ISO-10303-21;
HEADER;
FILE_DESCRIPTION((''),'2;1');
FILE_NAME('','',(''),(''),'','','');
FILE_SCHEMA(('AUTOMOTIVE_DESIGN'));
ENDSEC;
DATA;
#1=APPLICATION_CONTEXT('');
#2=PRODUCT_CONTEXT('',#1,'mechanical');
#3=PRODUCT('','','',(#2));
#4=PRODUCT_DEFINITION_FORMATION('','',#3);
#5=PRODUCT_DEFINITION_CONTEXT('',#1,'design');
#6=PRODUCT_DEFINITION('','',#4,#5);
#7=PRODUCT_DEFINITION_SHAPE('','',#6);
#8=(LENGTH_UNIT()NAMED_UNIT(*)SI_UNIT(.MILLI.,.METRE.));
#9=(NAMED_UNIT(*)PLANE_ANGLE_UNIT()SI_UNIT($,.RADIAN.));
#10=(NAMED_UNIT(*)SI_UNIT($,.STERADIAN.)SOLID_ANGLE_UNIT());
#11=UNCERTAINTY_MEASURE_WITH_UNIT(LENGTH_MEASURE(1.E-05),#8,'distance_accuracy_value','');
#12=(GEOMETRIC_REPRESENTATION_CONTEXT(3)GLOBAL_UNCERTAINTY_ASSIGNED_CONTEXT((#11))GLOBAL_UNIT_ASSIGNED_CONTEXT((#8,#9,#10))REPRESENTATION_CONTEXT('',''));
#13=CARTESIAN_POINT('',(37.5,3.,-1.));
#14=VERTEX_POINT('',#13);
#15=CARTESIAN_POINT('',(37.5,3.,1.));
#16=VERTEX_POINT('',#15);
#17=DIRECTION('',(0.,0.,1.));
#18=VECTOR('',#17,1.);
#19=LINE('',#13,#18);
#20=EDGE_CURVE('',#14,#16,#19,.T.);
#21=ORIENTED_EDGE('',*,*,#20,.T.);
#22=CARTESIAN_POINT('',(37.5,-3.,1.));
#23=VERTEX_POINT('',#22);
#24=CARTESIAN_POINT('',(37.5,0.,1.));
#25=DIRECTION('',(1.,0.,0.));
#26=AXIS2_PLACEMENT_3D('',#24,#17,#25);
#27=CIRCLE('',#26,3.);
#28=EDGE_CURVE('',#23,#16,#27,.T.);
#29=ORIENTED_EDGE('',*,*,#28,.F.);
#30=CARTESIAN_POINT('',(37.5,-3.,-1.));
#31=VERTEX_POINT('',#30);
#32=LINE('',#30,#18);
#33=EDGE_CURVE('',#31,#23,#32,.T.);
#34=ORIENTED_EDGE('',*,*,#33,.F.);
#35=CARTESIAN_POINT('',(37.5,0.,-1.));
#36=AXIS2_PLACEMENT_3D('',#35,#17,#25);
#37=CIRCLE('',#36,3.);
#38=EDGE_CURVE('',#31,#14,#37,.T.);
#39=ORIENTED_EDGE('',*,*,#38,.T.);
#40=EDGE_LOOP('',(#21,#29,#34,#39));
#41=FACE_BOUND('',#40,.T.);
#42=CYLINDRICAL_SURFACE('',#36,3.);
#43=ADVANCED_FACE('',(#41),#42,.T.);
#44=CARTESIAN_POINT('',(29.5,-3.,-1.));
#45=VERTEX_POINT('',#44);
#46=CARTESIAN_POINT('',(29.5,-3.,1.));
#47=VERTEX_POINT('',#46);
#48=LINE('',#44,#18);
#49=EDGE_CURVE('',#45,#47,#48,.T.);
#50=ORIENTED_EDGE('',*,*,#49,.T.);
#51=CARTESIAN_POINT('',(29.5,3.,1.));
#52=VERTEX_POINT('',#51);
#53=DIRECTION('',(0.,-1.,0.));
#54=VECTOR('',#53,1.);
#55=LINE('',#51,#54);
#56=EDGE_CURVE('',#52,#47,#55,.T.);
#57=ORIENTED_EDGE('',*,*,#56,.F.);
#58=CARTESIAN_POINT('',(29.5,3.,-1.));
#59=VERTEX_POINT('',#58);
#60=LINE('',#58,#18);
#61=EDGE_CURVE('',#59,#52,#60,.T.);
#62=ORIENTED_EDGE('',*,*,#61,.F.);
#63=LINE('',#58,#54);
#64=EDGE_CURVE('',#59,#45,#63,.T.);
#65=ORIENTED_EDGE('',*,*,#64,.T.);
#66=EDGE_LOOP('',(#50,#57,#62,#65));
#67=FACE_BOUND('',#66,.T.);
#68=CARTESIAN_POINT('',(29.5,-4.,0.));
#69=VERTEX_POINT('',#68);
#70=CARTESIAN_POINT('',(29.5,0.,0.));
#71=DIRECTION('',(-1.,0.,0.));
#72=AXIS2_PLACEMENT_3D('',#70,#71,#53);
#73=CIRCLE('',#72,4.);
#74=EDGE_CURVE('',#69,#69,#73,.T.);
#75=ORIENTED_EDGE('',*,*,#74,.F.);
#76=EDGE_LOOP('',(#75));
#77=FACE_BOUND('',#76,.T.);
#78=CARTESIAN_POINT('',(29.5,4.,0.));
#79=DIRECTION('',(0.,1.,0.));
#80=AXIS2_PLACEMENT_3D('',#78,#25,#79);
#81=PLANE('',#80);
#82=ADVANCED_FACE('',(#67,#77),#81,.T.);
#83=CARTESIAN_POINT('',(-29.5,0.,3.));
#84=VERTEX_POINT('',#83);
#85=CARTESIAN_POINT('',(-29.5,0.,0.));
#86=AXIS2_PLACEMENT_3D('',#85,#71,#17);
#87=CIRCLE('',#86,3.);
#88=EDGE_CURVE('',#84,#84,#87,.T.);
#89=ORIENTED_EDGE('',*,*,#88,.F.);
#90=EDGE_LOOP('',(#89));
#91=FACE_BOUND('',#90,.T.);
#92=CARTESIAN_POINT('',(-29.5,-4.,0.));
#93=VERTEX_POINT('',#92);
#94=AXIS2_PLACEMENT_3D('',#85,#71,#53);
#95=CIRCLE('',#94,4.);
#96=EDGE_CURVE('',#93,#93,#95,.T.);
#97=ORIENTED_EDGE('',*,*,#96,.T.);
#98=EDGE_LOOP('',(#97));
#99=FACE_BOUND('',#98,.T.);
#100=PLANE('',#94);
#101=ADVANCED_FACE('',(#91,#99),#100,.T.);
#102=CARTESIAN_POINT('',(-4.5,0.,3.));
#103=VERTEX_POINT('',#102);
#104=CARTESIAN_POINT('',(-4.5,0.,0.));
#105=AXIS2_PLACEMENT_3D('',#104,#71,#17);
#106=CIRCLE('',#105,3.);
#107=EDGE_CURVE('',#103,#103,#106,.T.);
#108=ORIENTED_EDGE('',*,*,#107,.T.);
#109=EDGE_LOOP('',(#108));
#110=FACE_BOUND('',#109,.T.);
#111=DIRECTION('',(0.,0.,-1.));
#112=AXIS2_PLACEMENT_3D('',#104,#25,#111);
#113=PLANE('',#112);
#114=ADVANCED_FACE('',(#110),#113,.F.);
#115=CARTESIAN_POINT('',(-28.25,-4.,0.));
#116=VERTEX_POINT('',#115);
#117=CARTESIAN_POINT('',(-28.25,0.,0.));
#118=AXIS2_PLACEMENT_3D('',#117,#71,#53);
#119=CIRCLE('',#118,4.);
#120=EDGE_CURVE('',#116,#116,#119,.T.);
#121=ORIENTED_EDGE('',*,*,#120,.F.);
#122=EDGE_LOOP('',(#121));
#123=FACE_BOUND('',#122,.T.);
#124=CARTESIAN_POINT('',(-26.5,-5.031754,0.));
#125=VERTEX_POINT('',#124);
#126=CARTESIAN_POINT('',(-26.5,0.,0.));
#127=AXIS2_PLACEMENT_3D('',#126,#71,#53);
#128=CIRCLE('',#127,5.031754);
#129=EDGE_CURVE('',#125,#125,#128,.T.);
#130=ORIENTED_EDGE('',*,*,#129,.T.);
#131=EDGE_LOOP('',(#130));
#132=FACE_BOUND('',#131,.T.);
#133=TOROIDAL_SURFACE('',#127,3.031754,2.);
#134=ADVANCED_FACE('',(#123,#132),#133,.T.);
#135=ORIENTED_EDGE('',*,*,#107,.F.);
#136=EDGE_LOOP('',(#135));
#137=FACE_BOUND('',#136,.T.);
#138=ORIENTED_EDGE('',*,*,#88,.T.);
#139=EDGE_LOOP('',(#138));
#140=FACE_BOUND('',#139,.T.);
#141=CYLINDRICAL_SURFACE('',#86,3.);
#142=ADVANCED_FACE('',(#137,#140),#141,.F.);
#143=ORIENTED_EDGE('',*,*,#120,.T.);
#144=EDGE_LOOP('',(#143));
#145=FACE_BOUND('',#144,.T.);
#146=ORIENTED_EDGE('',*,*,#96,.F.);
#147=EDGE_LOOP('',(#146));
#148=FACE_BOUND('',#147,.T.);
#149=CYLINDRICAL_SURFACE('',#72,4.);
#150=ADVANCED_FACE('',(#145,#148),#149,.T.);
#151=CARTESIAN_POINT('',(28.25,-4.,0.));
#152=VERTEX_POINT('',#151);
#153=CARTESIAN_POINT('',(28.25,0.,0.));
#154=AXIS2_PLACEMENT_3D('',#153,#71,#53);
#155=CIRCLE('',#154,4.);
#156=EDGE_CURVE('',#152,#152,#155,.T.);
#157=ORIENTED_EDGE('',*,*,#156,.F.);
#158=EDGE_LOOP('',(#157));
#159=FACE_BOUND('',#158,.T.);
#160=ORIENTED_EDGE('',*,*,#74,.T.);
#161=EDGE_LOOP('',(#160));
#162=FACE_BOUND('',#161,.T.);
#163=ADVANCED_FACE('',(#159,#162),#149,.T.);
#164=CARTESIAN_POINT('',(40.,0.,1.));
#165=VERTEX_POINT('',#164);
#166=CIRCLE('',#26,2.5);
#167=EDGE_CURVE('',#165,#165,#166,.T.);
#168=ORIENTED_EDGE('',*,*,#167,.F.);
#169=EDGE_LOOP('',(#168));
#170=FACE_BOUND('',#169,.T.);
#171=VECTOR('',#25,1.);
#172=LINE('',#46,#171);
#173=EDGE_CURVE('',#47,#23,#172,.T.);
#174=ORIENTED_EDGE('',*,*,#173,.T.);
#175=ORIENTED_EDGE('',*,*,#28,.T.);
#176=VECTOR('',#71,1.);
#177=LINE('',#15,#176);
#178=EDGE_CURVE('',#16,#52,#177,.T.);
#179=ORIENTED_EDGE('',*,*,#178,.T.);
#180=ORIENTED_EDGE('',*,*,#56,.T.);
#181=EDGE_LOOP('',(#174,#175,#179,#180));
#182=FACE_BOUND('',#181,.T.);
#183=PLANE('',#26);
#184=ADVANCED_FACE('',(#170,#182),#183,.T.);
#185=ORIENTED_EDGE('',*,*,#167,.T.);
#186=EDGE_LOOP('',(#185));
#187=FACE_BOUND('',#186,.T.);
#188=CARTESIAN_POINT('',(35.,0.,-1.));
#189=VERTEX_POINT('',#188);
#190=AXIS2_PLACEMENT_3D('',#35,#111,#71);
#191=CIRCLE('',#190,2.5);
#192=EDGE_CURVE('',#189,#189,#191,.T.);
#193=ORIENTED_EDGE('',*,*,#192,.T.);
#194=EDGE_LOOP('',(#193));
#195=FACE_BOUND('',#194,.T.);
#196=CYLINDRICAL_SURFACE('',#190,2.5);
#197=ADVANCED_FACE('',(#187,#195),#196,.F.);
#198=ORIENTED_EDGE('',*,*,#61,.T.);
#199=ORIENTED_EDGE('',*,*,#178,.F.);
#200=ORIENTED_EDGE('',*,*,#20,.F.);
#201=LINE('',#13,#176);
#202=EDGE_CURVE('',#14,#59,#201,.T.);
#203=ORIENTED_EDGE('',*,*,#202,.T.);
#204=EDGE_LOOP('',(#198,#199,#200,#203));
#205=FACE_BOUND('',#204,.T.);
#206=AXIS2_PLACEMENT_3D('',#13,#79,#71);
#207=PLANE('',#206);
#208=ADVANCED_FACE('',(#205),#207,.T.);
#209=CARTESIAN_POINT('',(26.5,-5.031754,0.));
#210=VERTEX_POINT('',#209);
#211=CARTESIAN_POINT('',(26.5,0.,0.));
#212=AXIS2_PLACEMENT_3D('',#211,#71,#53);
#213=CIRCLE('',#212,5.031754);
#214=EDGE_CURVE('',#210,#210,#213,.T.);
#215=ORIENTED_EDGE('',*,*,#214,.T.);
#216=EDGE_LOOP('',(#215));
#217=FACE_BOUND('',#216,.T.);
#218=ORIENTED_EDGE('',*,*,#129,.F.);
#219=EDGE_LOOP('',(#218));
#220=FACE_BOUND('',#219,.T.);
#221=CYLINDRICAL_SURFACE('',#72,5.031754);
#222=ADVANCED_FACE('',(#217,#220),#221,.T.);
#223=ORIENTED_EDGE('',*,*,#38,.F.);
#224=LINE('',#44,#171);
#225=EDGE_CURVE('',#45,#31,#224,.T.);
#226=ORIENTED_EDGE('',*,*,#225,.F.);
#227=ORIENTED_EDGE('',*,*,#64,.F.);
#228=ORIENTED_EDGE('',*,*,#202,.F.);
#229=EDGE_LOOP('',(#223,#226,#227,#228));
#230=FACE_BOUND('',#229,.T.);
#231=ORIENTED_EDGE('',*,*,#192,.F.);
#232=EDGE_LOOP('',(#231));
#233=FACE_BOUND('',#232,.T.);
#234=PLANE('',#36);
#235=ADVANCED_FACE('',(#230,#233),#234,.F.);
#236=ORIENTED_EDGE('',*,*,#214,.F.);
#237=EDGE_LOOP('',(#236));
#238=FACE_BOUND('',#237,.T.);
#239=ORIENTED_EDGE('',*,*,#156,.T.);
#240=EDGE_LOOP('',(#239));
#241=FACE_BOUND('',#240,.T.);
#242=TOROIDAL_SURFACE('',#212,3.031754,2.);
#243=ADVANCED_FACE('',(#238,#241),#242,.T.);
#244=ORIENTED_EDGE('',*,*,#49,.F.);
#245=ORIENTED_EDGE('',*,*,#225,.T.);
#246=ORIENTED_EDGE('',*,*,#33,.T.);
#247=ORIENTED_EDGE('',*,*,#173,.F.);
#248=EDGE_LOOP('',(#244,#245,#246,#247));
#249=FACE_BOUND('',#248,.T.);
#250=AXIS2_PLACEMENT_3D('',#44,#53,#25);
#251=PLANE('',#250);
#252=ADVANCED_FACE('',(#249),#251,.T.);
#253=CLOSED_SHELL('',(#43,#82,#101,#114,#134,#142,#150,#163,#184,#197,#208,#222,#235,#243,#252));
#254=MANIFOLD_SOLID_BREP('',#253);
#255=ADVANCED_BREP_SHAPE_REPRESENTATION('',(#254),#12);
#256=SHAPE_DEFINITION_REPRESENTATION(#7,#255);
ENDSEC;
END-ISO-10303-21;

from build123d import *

# Parameters (mm, degrees)
BOSS_EXTRUDE1_DEPTH          = 2
F_6_0_6_DIAMETER_HOLE1_D     = 6
F_6_0_6_DIAMETER_HOLE1_DEPTH = 25
F_5_0_5_DIAMETER_HOLE1_D     = 5
F_5_0_5_DIAMETER_HOLE1_DEPTH = 6.031754163


with BuildPart() as part:
    # Sketch1 → Revolve1 (revolve)
    with BuildSketch(Plane(origin=(0, 0, 0), x_dir=(-1, 0, 0), z_dir=(0, 0, -1))):
        with BuildLine():
            Line((-29.5, 4), (-29.5, 0))
            Line((-29.5, 0), (29.5, 0))
            Line((29.5, 0), (29.5, 4))
            Line((29.5, 4), (28.25, 4))
            ThreePointArc((28.25, 4), (27.515753003, 4.754613948), (26.5, 5.031754163))
            Line((26.5, 5.031754163), (-26.5, 5.031754163))
            ThreePointArc((-26.5, 5.031754163), (-27.515753003, 4.754613948), (-28.25, 4))
            Line((-28.25, 4), (-29.5, 4))
        make_face()
    revolve(axis=Axis((29.5, 0, 0), (-1, 0, 0)))

    # Sketch2 → Boss-Extrude1 (add)
    with BuildSketch(Plane.XY.offset(1)):
        with BuildLine():
            Line((37.5, 3), (29.5, 3))
            Line((29.5, 3), (29.5, -3))
            Line((29.5, -3), (37.5, -3))
            ThreePointArc((37.5, -3), (40.5, 0), (37.5, 3))
        make_face()
    extrude(amount=-BOSS_EXTRUDE1_DEPTH)

    # Ø6.0 (6) Diameter Hole1
    with Locations(Plane.ZY.offset(29.5)):
        with Locations((0, 0)):
            Hole(F_6_0_6_DIAMETER_HOLE1_D / 2, depth=F_6_0_6_DIAMETER_HOLE1_DEPTH)

    # Ø5.0 (5) Diameter Hole1
    with Locations(Plane(origin=(0, 0, -1), x_dir=(-1, 0, 0), z_dir=(0, 0, -1))):
        with Locations((-37.5, 0)):
            Hole(F_5_0_5_DIAMETER_HOLE1_D / 2, depth=F_5_0_5_DIAMETER_HOLE1_DEPTH)


solid = part.part
